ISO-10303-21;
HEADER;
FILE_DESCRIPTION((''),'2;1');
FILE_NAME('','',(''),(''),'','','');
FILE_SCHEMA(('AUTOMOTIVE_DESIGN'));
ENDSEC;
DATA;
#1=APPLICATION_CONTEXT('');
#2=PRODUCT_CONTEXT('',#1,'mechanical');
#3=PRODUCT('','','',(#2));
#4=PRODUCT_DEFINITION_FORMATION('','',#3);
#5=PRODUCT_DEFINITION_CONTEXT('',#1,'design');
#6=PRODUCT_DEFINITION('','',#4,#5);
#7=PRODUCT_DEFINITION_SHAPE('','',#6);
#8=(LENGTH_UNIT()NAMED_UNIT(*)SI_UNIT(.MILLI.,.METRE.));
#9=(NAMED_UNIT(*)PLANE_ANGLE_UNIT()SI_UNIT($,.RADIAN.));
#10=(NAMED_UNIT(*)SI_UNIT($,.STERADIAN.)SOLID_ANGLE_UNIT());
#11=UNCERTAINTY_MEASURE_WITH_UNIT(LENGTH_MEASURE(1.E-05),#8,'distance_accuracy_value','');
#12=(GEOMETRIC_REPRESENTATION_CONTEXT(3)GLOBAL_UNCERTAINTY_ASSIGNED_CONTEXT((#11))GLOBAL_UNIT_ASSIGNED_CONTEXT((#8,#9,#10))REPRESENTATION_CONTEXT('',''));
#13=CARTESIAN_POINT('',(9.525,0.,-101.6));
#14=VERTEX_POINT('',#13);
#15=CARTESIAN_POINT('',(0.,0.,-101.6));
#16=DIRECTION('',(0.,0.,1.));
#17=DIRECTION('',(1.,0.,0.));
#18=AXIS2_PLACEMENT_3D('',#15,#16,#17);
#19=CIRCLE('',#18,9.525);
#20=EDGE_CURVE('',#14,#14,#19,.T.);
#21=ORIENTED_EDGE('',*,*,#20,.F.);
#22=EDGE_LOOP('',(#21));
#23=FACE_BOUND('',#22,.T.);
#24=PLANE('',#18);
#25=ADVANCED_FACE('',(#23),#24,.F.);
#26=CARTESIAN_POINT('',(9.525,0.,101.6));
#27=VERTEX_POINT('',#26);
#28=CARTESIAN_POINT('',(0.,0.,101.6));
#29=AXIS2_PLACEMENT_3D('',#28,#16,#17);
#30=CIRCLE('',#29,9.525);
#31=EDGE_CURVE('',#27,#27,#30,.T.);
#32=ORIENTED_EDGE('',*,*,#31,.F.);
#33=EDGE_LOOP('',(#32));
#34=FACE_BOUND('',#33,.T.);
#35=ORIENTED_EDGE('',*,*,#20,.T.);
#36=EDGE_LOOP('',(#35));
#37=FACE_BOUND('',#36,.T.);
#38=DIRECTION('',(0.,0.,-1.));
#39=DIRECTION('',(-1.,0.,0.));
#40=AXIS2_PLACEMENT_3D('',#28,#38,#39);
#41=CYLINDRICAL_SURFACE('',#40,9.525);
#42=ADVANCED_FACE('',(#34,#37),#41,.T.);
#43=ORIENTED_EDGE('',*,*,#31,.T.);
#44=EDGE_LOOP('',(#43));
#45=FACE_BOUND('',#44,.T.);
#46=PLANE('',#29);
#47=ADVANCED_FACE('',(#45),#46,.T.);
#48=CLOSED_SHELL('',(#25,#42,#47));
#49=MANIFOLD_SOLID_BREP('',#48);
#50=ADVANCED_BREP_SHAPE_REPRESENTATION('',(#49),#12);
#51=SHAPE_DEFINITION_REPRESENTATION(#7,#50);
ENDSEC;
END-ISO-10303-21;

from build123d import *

# Parameters (mm, degrees)
CROQUIS1_R              = 9.525
SALIENTE_EXTRUIR1_DEPTH = 101.6


with BuildPart() as part:
    # Croquis1 → Saliente-Extruir1 (new, symmetric)
    with BuildSketch(Plane.XY):
        Circle(CROQUIS1_R)
    extrude(amount=SALIENTE_EXTRUIR1_DEPTH, both=True)


solid = part.part
